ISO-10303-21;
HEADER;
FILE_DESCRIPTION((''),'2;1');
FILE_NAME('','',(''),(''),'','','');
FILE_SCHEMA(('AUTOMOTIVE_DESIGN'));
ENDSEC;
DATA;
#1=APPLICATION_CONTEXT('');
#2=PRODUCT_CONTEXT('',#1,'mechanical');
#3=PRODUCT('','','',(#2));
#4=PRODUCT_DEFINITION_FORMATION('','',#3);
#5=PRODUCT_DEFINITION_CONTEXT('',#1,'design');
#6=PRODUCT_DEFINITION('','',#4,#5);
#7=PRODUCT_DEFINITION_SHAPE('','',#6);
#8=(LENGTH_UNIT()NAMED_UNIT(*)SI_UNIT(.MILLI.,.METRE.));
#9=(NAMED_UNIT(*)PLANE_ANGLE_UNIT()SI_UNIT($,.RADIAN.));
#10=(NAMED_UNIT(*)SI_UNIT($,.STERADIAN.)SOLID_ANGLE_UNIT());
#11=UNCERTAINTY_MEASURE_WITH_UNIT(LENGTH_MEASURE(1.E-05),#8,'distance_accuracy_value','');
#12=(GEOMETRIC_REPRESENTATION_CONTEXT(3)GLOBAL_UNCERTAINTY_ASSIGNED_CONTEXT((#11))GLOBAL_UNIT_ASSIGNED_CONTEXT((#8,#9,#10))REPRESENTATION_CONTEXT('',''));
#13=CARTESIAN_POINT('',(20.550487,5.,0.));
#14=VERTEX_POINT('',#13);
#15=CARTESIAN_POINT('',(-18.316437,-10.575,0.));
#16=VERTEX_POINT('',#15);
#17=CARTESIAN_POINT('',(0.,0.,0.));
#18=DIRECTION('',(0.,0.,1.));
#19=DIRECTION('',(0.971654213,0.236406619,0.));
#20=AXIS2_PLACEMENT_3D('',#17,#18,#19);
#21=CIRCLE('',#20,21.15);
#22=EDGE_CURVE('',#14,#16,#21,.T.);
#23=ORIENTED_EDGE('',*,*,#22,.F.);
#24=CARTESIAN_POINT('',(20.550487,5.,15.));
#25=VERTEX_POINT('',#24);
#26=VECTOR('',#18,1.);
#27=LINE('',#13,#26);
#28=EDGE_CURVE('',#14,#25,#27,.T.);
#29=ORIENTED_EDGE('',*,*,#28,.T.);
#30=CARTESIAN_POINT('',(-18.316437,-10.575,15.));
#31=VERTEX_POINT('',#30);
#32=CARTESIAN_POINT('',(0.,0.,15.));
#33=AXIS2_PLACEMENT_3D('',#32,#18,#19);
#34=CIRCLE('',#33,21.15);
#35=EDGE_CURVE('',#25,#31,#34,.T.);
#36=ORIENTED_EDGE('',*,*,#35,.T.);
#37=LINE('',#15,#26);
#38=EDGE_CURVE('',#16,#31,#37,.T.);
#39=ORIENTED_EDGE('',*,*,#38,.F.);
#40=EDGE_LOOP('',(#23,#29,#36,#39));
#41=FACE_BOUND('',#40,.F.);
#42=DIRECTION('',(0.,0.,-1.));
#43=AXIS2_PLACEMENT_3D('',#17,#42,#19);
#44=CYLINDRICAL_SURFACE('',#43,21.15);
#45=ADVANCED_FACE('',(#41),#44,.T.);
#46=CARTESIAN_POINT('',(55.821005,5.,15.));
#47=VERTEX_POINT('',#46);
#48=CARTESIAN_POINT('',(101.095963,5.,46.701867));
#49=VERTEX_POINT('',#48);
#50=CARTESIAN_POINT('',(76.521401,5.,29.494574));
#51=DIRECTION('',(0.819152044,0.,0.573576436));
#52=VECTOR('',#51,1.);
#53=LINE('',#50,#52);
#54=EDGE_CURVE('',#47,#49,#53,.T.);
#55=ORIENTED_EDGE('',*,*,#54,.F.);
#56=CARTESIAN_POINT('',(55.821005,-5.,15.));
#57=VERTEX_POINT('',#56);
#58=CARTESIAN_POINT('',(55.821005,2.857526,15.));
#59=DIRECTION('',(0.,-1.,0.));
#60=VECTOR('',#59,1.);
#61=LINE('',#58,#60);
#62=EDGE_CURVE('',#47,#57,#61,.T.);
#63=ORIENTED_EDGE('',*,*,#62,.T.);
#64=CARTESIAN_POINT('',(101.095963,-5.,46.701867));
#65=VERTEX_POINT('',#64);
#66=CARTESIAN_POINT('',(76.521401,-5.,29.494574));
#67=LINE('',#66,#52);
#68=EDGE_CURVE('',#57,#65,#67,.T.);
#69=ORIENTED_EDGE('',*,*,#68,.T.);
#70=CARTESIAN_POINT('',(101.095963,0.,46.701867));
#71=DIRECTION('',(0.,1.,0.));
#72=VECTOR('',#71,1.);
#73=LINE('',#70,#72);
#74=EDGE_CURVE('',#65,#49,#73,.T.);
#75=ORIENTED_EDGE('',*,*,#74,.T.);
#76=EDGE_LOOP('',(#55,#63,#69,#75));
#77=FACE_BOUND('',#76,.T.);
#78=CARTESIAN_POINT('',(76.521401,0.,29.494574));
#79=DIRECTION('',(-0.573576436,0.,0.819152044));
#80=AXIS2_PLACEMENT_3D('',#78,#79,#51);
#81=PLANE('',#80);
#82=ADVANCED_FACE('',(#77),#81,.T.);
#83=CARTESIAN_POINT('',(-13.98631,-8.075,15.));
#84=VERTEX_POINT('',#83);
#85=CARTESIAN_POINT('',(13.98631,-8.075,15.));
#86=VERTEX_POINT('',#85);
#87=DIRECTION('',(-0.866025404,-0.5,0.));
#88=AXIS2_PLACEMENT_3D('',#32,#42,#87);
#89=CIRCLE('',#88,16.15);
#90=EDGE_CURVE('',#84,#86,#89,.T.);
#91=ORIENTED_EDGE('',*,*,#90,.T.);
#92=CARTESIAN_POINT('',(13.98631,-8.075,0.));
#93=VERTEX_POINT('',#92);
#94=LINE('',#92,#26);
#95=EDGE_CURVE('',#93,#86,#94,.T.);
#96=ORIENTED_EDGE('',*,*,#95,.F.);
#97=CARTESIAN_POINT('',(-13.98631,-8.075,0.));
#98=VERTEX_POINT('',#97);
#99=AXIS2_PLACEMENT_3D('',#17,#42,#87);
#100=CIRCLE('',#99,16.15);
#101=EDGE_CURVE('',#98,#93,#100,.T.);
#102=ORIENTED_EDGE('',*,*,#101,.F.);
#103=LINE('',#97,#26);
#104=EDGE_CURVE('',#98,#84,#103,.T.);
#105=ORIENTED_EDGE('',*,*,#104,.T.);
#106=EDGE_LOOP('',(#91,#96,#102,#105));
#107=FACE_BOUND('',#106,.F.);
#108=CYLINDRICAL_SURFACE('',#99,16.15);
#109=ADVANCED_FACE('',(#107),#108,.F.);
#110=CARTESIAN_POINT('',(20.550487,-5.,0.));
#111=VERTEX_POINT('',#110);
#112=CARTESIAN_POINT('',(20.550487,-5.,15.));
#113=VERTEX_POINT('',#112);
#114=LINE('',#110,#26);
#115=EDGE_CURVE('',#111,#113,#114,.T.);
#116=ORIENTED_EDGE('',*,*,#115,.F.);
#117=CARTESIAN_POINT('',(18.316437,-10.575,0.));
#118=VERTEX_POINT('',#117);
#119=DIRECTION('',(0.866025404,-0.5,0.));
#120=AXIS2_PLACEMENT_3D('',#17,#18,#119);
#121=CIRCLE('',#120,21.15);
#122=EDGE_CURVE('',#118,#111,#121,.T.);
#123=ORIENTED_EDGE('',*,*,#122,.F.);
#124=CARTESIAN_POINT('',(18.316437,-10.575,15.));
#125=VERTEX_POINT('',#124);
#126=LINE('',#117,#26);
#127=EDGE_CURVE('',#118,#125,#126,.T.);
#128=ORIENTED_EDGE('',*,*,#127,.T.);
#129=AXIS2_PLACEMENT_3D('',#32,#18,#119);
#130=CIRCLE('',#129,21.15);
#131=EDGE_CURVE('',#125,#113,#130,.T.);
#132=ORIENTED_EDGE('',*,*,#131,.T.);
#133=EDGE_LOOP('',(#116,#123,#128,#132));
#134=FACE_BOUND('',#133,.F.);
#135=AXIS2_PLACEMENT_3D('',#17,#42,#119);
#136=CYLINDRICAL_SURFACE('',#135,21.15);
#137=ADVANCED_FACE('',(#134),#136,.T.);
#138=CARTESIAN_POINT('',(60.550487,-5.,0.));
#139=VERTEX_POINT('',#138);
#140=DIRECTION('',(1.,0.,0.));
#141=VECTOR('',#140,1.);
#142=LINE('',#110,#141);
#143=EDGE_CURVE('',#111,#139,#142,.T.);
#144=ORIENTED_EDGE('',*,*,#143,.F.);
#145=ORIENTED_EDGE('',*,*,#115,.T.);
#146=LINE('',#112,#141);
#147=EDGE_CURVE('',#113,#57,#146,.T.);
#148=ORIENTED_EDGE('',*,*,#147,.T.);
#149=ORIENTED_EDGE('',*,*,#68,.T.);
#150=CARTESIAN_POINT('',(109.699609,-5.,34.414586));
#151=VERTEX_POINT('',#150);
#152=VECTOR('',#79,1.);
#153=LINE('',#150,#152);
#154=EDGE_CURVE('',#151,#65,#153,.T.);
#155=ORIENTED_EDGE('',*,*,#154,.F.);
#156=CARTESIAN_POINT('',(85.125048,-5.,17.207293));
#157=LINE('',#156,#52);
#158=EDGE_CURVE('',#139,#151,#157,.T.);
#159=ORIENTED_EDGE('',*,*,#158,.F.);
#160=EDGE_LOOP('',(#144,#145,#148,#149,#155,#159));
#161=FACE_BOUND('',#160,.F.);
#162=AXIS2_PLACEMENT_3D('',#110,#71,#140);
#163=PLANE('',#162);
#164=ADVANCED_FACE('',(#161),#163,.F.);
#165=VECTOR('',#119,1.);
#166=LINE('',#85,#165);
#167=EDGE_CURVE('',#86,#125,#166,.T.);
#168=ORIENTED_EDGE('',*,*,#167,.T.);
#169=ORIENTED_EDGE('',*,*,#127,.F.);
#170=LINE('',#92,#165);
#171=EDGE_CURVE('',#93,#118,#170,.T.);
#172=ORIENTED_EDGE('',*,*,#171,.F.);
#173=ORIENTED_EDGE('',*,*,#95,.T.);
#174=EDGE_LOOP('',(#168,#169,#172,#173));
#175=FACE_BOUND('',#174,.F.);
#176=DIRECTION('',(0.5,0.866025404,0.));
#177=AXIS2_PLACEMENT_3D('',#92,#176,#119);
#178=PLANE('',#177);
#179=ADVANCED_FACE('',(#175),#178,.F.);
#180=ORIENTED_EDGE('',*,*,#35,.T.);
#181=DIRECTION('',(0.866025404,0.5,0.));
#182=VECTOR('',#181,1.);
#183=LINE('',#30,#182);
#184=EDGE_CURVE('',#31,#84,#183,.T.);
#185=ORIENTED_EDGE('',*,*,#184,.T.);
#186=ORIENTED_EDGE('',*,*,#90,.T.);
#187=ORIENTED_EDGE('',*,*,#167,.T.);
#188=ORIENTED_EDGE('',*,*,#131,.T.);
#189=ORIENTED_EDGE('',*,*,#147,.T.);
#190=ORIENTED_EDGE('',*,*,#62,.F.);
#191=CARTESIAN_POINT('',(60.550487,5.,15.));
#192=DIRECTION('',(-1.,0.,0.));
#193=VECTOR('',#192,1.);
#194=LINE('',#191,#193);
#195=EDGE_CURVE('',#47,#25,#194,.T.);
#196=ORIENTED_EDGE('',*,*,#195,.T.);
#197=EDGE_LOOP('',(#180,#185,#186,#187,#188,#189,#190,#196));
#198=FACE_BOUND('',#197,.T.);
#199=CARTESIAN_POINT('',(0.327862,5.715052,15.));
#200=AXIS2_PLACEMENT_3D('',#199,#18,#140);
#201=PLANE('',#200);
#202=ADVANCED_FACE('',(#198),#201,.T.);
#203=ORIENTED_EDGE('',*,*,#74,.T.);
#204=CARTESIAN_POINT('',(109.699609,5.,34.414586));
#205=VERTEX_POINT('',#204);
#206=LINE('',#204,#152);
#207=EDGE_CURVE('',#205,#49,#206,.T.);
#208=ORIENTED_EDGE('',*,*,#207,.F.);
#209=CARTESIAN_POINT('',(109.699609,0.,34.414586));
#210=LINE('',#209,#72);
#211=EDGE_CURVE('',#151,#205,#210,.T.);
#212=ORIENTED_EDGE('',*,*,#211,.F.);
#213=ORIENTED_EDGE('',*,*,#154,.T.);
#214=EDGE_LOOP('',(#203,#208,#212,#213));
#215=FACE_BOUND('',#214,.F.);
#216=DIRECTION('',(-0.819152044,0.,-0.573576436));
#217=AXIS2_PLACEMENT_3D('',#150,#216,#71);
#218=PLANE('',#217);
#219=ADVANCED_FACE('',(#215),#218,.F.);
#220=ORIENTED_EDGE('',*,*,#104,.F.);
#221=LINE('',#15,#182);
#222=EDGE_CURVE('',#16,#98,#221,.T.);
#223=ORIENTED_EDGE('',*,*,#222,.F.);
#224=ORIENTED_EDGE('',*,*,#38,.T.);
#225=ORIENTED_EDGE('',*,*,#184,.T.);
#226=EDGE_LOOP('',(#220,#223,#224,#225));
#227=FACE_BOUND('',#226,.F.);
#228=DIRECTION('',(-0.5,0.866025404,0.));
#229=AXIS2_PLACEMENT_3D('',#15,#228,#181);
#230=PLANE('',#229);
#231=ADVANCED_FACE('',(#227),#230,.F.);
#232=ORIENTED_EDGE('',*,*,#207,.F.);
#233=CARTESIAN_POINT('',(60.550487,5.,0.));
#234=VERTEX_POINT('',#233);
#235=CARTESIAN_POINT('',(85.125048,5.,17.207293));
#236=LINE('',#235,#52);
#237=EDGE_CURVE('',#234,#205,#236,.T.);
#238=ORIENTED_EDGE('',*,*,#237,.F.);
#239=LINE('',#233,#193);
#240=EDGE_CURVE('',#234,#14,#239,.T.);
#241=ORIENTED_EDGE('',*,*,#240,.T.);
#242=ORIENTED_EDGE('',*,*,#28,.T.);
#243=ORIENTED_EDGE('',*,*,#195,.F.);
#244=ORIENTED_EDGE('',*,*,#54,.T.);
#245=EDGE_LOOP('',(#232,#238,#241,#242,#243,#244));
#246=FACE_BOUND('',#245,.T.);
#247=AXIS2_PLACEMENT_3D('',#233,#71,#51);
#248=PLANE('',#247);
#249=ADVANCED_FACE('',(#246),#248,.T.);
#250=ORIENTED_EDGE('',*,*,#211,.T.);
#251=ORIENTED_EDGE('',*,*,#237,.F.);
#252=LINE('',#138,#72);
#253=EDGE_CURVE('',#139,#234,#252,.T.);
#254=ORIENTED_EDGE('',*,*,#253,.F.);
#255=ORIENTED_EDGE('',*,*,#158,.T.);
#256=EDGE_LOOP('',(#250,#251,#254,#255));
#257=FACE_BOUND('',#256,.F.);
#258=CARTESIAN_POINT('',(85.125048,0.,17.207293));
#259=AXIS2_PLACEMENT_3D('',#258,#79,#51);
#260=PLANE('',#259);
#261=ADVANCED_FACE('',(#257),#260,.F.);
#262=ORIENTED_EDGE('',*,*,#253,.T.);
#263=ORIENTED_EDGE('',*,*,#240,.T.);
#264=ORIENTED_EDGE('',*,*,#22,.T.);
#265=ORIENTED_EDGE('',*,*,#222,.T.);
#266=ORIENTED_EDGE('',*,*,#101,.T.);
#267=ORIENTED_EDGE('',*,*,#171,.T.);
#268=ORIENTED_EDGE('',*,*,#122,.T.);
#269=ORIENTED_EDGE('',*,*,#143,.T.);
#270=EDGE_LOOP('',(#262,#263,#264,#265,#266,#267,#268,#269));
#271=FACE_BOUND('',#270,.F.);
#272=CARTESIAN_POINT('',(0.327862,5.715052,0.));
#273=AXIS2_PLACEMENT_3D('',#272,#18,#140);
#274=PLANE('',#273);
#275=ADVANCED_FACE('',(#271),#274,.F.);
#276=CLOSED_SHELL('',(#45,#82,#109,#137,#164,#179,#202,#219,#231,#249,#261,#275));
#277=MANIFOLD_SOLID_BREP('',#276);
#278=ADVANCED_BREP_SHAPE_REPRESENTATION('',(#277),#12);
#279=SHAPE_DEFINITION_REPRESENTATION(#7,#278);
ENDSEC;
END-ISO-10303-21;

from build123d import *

# Parameters (mm, degrees)
F2_DEPTH  = 15
F11_W     = 60
F11_H     = 10
F12_DEPTH = 15


with BuildPart() as f2:
    # F1 (on Top) → F2 (new body)
    with BuildSketch(Plane.XY):
        with BuildLine():
            ThreePointArc((-13.9863102711, -8.075), (0, 16.15), (13.9863102711, -8.075))
            Line((13.9863102711, -8.075), (18.31643729, -10.575))
            ThreePointArc((18.31643729, -10.575), (19.6323610311, -7.8672040995), (20.5504866122, -5))
            ThreePointArc((20.5504866122, -5), (21.15, 0), (20.5504866122, 5))
            ThreePointArc((20.5504866122, 5), (-7.8672040995, 19.6323610311), (-18.31643729, -10.575))
            Line((-18.31643729, -10.575), (-13.9863102711, -8.075))
        make_face()
        with BuildLine():
            ThreePointArc((20.5504866122, 5), (21.15, 0), (20.5504866122, -5))
            Line((20.5504866122, -5), (60.5504866122, -5))
            Line((60.5504866122, -5), (60.5504866122, 5))
            Line((60.5504866122, 5), (20.5504866122, 5))
        make_face()
    extrude(amount=F2_DEPTH)

    # F11 (on 3pt) → F12 (join)
    with BuildSketch(Plane(origin=(19.9205002513, 0, -28.4494227273), x_dir=(0.8191520443, 0, 0.5735764364), z_dir=(-0.5735764364, 0, 0.8191520443))):
        with Locations((79.6000548911, 0)):
            Rectangle(F11_W, F11_H)
    extrude(amount=F12_DEPTH)


solid = f2.part
